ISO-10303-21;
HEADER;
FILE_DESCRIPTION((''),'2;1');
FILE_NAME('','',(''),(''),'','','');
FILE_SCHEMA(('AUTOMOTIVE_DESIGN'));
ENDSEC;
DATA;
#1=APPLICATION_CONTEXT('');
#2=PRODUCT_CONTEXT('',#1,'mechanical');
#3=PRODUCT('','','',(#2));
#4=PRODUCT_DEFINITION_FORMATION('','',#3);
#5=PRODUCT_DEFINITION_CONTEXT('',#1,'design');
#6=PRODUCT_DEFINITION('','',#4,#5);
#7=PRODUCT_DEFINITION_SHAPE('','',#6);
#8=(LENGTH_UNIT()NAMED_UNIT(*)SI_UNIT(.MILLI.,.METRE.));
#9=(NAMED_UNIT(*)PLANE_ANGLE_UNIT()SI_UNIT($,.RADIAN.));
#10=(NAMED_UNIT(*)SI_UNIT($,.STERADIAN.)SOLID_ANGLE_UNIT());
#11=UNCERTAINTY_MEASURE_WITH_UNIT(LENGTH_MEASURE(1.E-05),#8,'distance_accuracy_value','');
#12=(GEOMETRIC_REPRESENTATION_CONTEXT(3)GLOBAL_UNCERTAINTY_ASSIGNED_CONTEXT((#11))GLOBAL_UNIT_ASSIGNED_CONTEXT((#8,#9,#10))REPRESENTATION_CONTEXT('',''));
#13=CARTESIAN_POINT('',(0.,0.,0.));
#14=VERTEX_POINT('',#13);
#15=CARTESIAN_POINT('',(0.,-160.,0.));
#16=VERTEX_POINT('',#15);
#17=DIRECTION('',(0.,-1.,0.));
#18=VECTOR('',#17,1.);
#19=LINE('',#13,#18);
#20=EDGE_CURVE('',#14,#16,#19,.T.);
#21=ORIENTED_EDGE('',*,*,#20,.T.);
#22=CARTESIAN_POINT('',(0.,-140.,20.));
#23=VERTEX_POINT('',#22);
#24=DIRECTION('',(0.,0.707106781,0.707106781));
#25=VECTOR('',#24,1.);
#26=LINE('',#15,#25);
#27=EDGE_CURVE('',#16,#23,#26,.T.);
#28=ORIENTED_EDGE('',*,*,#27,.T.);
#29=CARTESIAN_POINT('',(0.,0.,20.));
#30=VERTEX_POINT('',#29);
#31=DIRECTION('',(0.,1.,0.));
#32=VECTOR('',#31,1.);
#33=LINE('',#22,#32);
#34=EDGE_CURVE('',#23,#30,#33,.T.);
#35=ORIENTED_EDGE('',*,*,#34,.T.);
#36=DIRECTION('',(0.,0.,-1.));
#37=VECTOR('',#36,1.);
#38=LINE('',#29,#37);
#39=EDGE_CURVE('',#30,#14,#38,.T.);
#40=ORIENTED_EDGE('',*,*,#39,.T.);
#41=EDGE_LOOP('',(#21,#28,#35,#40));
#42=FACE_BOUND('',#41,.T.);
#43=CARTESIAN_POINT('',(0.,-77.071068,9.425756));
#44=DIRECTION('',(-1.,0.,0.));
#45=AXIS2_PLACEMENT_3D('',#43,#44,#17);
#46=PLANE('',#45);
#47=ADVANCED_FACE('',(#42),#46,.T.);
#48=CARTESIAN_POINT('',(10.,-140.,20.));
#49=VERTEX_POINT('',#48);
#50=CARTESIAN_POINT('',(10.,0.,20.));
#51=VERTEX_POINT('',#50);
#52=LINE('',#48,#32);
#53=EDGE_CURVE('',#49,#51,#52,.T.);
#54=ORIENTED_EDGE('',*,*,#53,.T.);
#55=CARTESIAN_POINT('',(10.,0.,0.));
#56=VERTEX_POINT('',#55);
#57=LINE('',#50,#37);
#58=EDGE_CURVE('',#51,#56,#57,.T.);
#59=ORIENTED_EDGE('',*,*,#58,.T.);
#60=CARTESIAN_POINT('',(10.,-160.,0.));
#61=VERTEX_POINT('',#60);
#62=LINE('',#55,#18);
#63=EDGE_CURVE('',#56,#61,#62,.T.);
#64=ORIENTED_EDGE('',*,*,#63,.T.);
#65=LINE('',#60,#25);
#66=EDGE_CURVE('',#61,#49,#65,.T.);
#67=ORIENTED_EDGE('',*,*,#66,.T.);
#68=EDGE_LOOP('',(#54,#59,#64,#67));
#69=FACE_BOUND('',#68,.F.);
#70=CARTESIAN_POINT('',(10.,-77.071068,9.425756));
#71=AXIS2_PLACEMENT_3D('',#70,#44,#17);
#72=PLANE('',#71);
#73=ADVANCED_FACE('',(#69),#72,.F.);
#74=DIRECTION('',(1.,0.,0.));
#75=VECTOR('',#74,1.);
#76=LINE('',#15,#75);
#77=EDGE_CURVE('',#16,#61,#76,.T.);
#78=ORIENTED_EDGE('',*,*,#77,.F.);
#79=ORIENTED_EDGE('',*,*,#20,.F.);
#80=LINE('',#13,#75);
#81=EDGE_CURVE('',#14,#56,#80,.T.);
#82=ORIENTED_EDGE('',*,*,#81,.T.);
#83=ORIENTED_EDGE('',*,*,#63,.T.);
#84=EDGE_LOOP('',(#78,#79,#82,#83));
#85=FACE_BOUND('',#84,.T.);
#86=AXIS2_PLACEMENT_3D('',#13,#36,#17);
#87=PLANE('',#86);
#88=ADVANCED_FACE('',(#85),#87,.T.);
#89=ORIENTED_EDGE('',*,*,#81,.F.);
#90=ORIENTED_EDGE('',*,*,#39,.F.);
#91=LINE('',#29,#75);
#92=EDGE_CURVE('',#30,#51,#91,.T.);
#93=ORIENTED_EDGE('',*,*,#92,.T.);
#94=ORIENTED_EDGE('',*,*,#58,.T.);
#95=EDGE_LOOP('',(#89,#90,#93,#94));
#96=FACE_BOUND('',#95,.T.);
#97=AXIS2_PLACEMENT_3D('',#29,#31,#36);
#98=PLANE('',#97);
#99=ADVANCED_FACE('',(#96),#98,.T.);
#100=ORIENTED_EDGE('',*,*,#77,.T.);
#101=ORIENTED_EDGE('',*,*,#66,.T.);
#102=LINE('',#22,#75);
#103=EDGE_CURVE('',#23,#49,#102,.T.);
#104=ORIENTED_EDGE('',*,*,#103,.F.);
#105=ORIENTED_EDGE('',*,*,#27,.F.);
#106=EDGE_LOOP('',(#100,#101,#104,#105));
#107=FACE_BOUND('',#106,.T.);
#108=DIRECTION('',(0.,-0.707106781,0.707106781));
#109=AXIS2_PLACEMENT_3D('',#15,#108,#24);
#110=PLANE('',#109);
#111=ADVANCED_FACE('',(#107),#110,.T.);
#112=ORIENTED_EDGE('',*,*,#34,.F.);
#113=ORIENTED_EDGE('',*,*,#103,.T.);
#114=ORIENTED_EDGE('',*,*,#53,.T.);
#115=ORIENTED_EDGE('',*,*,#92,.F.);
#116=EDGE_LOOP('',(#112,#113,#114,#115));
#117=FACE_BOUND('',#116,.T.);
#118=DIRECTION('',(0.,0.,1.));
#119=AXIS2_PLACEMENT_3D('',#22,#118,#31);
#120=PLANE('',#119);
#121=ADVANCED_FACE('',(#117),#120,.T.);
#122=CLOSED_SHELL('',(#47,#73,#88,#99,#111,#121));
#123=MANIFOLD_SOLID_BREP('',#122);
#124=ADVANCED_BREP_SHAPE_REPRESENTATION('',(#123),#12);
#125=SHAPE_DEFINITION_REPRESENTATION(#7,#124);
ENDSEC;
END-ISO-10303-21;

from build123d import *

# Parameters (mm, degrees)
PAD_DEPTH = 10


with BuildPart() as part:
    # Sketch → Pad (new body)
    with BuildSketch(Plane.YZ):
        Polygon((0, 0), (-160, 0), (-140, 20), (0, 20), align=None)
    extrude(amount=PAD_DEPTH)


solid = part.part
